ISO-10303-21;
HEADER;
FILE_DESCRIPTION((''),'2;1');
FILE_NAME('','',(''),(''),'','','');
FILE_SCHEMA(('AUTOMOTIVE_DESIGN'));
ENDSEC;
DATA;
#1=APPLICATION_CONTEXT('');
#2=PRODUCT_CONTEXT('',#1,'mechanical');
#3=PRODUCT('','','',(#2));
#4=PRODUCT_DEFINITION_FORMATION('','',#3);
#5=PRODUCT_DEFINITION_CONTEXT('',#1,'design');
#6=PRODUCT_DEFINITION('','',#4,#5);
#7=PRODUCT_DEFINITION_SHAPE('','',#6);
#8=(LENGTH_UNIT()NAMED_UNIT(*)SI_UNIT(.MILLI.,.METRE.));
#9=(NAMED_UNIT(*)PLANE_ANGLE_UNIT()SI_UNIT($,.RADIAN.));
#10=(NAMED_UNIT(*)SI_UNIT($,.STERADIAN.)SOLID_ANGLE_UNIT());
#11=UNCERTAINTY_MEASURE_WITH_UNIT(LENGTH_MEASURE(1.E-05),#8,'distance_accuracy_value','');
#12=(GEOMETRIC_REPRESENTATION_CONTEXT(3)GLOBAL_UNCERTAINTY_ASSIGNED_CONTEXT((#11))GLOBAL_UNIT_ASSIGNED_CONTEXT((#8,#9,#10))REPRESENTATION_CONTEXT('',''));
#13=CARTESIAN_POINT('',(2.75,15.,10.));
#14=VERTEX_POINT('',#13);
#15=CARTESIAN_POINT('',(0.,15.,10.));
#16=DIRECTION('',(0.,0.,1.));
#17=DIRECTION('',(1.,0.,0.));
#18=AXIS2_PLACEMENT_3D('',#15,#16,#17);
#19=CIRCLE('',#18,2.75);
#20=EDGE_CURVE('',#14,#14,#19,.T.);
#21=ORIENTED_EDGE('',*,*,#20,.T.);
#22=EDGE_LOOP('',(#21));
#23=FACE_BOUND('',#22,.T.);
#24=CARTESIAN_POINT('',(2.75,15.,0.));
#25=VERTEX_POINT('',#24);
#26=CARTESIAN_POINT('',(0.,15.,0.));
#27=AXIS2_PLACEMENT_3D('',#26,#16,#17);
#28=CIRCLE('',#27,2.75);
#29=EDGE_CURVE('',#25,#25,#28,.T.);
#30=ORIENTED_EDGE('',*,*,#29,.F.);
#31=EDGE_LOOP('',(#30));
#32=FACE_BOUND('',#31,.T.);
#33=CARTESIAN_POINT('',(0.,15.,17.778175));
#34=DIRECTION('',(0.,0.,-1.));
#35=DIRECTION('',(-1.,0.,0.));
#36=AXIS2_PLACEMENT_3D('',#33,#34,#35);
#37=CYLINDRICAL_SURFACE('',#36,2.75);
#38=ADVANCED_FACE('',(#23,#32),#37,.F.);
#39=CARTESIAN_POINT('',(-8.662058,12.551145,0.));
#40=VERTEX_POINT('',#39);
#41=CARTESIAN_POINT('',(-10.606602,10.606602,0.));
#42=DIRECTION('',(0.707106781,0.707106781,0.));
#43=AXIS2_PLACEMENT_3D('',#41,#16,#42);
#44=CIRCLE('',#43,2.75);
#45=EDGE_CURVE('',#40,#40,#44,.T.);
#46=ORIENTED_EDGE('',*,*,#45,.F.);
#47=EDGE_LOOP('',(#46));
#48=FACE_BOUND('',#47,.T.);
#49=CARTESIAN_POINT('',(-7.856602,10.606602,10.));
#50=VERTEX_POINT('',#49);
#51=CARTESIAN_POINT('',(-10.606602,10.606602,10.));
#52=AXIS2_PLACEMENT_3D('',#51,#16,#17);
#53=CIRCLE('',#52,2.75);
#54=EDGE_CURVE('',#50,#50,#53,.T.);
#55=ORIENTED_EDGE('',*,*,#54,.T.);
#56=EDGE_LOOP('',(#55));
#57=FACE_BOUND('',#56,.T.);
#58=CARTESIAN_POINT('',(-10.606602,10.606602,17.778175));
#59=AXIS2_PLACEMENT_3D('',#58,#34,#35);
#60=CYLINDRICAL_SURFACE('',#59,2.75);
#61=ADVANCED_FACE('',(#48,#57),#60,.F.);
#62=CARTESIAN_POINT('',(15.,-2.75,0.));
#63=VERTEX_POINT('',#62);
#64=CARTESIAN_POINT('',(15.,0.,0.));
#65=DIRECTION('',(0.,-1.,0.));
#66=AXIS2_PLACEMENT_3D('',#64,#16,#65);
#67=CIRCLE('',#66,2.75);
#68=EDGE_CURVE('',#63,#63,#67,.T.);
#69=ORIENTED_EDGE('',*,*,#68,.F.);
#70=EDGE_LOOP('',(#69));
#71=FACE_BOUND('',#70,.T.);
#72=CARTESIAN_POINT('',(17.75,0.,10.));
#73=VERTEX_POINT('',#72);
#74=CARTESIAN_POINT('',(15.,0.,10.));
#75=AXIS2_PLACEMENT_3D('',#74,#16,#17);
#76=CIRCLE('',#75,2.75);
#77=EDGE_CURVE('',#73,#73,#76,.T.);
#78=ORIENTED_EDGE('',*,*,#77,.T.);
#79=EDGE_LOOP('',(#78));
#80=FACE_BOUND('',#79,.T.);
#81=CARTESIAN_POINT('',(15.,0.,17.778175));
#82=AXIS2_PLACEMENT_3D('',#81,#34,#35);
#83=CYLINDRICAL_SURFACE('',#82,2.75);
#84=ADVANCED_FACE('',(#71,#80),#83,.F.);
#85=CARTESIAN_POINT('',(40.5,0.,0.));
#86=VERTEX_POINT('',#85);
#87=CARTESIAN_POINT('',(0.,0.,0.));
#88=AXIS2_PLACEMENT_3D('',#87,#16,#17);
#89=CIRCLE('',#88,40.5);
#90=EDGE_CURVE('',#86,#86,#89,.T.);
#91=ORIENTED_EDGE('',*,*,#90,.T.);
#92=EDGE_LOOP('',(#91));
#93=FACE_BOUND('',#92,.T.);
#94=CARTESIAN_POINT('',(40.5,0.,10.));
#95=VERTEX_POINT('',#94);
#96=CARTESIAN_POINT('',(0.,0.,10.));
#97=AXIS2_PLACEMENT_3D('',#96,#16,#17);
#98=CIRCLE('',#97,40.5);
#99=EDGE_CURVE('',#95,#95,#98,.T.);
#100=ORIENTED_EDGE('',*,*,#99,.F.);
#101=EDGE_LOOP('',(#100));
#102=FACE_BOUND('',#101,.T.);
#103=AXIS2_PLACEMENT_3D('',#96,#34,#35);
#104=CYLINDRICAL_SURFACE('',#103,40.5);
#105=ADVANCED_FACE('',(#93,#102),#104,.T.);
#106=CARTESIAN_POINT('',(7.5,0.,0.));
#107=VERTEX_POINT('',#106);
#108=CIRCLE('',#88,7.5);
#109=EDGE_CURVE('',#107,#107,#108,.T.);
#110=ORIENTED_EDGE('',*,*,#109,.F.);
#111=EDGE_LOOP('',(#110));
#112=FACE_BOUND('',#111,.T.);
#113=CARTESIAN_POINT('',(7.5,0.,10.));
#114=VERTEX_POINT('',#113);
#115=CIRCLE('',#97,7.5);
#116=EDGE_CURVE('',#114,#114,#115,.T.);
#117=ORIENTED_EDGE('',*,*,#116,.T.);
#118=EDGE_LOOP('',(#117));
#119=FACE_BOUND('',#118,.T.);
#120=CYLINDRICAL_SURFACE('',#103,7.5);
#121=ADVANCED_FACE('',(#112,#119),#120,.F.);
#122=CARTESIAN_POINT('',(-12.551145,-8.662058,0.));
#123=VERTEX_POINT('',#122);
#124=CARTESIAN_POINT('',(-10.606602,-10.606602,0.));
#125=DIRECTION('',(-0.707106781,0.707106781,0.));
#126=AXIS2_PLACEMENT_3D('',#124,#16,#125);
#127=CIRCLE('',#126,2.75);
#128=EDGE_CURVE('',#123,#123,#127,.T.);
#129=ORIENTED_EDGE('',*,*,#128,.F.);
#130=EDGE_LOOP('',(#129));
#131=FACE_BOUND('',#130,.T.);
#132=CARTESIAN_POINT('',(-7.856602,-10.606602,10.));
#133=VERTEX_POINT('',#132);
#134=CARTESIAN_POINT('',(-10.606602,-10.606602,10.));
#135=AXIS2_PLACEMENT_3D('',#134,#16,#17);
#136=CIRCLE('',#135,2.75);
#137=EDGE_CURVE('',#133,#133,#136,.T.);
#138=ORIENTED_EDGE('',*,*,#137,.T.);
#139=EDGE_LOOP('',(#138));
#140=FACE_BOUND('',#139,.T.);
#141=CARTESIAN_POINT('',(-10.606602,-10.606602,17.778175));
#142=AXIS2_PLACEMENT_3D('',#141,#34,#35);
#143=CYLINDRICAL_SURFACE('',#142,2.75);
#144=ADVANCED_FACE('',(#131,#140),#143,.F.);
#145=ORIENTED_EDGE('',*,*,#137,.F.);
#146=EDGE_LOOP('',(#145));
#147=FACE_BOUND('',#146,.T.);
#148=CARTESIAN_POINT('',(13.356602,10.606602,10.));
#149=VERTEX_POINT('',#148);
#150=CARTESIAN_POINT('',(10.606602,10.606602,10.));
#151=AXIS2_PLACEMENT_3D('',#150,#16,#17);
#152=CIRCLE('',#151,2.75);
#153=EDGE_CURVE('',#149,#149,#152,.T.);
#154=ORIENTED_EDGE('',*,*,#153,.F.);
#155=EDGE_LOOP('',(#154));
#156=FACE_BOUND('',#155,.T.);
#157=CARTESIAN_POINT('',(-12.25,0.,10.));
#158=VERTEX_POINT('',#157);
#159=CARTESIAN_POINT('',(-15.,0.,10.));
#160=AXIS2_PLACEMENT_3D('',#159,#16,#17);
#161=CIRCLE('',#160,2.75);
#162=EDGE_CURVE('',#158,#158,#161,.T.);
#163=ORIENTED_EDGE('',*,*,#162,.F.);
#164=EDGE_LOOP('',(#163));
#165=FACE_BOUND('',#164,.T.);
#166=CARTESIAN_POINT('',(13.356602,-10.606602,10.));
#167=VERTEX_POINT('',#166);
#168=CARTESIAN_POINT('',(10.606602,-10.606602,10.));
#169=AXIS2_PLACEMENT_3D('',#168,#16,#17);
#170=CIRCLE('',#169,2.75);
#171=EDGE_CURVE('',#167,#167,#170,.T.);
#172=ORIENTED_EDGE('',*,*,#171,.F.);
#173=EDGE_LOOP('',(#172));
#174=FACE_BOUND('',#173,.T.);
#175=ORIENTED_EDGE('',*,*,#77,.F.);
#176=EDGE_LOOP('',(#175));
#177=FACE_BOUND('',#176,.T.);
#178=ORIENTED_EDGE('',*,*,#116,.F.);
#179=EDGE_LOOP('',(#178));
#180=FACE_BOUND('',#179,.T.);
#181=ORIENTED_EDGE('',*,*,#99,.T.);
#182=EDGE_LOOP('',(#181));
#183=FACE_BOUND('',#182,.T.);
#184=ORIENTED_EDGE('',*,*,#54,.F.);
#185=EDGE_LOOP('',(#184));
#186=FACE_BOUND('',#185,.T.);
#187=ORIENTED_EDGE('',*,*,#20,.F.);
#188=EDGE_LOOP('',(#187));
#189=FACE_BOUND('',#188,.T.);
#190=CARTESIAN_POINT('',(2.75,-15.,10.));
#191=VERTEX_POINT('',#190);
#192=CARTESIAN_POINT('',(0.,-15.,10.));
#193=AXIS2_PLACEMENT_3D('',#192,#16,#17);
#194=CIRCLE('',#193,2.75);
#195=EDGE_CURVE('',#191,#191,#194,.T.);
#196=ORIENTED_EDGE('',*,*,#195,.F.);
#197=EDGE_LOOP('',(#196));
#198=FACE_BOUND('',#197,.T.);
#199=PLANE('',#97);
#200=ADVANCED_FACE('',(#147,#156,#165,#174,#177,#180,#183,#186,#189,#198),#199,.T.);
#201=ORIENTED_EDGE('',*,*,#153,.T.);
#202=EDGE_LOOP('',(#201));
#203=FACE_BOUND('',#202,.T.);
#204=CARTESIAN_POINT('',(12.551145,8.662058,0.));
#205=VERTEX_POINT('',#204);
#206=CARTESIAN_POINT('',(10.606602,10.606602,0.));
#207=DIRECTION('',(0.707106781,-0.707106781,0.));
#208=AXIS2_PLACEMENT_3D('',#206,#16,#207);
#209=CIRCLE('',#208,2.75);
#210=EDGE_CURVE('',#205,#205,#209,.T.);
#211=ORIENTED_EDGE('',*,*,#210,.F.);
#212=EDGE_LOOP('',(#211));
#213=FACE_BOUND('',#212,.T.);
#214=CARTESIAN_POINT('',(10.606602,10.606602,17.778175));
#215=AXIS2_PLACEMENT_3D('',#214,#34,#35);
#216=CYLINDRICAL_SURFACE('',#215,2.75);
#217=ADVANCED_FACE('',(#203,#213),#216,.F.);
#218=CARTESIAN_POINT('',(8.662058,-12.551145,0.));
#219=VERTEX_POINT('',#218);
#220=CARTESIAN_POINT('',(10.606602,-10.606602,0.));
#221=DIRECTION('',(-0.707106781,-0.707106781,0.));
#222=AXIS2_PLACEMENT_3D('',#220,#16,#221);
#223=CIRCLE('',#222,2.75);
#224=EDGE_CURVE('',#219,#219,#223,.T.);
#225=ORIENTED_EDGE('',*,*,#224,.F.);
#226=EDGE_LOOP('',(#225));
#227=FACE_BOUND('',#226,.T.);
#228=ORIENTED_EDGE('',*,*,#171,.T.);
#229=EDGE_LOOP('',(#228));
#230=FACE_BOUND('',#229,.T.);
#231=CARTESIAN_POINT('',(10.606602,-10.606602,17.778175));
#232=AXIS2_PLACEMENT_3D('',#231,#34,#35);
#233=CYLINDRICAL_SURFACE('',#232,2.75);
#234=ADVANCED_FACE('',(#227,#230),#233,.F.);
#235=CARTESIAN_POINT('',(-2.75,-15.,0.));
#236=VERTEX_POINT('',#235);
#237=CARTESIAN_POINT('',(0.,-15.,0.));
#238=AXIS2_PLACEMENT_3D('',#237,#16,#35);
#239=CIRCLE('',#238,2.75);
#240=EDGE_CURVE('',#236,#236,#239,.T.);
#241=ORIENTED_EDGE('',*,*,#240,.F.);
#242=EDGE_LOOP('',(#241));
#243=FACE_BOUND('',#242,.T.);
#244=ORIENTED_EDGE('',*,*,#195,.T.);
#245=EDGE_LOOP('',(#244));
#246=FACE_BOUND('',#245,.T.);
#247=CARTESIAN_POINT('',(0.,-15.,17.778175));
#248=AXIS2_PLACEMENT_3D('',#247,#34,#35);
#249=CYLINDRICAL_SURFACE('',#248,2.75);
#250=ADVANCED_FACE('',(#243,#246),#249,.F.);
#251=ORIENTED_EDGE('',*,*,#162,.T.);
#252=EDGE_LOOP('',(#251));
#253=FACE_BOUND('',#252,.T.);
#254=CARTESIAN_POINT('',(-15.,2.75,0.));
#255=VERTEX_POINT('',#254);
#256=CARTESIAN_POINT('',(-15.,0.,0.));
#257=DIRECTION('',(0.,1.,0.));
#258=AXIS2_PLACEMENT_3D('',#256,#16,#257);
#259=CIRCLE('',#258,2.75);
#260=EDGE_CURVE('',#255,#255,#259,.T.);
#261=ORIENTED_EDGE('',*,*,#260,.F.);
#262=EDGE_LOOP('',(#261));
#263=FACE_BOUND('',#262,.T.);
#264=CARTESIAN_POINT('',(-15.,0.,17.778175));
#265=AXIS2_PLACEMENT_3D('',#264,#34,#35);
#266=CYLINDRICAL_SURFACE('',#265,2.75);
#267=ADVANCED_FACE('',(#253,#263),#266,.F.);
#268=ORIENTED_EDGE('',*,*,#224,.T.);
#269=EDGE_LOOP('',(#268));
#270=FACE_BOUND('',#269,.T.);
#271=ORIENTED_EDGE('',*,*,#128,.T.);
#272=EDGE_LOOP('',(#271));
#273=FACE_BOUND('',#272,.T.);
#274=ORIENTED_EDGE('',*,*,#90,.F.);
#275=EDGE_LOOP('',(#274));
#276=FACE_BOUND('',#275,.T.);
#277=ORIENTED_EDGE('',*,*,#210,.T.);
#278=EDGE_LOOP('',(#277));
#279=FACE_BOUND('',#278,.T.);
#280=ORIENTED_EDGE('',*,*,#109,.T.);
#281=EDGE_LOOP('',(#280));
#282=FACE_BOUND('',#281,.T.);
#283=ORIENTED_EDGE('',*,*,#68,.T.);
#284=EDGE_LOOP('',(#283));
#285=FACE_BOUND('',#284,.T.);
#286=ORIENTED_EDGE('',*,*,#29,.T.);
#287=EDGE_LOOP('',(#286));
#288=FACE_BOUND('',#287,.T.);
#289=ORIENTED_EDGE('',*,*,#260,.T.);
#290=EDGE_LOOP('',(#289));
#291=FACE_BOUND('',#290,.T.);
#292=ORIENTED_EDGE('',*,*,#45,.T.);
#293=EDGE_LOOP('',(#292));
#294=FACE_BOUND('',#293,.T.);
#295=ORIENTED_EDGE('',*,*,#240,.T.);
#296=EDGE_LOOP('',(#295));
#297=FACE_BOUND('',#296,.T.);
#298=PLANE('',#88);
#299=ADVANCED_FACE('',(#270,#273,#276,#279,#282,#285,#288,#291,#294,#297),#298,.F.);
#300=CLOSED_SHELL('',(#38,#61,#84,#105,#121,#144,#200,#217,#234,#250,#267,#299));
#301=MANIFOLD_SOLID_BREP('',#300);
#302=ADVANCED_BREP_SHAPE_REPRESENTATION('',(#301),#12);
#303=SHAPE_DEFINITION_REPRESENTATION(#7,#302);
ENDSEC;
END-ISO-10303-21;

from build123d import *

# Parameters (mm, degrees)
SKETCH1_R         = 40.5
SKETCH1_R_2       = 7.5
EXTRUDE_1_4_DEPTH = 10
SKETCH2_R         = 2.75
M5_THROUGH_DEPTH  = 10
CIRPATTERN5_COUNT = 8


with BuildPart() as part:
    # Sketch1 → 1/4 (new body)
    with BuildSketch(Plane.XY):
        Circle(SKETCH1_R)
        Circle(SKETCH1_R_2, mode=Mode.SUBTRACT)
    extrude(amount=EXTRUDE_1_4_DEPTH)

    # Sketch2 → M5_through (cut)
    with BuildSketch(Plane.XY):
        with Locations((0, 15)):
            Circle(SKETCH2_R)
    m5_through = extrude(amount=M5_THROUGH_DEPTH, mode=Mode.SUBTRACT)

    # CirPattern5: M5_through ×8 about axis
    cirpattern5_axis = Axis((0, 0, 0), (0, 0, 1))
    for i in range(1, CIRPATTERN5_COUNT):
        add(m5_through.rotate(cirpattern5_axis, i * 360 / CIRPATTERN5_COUNT), mode=Mode.SUBTRACT)


solid = part.part
